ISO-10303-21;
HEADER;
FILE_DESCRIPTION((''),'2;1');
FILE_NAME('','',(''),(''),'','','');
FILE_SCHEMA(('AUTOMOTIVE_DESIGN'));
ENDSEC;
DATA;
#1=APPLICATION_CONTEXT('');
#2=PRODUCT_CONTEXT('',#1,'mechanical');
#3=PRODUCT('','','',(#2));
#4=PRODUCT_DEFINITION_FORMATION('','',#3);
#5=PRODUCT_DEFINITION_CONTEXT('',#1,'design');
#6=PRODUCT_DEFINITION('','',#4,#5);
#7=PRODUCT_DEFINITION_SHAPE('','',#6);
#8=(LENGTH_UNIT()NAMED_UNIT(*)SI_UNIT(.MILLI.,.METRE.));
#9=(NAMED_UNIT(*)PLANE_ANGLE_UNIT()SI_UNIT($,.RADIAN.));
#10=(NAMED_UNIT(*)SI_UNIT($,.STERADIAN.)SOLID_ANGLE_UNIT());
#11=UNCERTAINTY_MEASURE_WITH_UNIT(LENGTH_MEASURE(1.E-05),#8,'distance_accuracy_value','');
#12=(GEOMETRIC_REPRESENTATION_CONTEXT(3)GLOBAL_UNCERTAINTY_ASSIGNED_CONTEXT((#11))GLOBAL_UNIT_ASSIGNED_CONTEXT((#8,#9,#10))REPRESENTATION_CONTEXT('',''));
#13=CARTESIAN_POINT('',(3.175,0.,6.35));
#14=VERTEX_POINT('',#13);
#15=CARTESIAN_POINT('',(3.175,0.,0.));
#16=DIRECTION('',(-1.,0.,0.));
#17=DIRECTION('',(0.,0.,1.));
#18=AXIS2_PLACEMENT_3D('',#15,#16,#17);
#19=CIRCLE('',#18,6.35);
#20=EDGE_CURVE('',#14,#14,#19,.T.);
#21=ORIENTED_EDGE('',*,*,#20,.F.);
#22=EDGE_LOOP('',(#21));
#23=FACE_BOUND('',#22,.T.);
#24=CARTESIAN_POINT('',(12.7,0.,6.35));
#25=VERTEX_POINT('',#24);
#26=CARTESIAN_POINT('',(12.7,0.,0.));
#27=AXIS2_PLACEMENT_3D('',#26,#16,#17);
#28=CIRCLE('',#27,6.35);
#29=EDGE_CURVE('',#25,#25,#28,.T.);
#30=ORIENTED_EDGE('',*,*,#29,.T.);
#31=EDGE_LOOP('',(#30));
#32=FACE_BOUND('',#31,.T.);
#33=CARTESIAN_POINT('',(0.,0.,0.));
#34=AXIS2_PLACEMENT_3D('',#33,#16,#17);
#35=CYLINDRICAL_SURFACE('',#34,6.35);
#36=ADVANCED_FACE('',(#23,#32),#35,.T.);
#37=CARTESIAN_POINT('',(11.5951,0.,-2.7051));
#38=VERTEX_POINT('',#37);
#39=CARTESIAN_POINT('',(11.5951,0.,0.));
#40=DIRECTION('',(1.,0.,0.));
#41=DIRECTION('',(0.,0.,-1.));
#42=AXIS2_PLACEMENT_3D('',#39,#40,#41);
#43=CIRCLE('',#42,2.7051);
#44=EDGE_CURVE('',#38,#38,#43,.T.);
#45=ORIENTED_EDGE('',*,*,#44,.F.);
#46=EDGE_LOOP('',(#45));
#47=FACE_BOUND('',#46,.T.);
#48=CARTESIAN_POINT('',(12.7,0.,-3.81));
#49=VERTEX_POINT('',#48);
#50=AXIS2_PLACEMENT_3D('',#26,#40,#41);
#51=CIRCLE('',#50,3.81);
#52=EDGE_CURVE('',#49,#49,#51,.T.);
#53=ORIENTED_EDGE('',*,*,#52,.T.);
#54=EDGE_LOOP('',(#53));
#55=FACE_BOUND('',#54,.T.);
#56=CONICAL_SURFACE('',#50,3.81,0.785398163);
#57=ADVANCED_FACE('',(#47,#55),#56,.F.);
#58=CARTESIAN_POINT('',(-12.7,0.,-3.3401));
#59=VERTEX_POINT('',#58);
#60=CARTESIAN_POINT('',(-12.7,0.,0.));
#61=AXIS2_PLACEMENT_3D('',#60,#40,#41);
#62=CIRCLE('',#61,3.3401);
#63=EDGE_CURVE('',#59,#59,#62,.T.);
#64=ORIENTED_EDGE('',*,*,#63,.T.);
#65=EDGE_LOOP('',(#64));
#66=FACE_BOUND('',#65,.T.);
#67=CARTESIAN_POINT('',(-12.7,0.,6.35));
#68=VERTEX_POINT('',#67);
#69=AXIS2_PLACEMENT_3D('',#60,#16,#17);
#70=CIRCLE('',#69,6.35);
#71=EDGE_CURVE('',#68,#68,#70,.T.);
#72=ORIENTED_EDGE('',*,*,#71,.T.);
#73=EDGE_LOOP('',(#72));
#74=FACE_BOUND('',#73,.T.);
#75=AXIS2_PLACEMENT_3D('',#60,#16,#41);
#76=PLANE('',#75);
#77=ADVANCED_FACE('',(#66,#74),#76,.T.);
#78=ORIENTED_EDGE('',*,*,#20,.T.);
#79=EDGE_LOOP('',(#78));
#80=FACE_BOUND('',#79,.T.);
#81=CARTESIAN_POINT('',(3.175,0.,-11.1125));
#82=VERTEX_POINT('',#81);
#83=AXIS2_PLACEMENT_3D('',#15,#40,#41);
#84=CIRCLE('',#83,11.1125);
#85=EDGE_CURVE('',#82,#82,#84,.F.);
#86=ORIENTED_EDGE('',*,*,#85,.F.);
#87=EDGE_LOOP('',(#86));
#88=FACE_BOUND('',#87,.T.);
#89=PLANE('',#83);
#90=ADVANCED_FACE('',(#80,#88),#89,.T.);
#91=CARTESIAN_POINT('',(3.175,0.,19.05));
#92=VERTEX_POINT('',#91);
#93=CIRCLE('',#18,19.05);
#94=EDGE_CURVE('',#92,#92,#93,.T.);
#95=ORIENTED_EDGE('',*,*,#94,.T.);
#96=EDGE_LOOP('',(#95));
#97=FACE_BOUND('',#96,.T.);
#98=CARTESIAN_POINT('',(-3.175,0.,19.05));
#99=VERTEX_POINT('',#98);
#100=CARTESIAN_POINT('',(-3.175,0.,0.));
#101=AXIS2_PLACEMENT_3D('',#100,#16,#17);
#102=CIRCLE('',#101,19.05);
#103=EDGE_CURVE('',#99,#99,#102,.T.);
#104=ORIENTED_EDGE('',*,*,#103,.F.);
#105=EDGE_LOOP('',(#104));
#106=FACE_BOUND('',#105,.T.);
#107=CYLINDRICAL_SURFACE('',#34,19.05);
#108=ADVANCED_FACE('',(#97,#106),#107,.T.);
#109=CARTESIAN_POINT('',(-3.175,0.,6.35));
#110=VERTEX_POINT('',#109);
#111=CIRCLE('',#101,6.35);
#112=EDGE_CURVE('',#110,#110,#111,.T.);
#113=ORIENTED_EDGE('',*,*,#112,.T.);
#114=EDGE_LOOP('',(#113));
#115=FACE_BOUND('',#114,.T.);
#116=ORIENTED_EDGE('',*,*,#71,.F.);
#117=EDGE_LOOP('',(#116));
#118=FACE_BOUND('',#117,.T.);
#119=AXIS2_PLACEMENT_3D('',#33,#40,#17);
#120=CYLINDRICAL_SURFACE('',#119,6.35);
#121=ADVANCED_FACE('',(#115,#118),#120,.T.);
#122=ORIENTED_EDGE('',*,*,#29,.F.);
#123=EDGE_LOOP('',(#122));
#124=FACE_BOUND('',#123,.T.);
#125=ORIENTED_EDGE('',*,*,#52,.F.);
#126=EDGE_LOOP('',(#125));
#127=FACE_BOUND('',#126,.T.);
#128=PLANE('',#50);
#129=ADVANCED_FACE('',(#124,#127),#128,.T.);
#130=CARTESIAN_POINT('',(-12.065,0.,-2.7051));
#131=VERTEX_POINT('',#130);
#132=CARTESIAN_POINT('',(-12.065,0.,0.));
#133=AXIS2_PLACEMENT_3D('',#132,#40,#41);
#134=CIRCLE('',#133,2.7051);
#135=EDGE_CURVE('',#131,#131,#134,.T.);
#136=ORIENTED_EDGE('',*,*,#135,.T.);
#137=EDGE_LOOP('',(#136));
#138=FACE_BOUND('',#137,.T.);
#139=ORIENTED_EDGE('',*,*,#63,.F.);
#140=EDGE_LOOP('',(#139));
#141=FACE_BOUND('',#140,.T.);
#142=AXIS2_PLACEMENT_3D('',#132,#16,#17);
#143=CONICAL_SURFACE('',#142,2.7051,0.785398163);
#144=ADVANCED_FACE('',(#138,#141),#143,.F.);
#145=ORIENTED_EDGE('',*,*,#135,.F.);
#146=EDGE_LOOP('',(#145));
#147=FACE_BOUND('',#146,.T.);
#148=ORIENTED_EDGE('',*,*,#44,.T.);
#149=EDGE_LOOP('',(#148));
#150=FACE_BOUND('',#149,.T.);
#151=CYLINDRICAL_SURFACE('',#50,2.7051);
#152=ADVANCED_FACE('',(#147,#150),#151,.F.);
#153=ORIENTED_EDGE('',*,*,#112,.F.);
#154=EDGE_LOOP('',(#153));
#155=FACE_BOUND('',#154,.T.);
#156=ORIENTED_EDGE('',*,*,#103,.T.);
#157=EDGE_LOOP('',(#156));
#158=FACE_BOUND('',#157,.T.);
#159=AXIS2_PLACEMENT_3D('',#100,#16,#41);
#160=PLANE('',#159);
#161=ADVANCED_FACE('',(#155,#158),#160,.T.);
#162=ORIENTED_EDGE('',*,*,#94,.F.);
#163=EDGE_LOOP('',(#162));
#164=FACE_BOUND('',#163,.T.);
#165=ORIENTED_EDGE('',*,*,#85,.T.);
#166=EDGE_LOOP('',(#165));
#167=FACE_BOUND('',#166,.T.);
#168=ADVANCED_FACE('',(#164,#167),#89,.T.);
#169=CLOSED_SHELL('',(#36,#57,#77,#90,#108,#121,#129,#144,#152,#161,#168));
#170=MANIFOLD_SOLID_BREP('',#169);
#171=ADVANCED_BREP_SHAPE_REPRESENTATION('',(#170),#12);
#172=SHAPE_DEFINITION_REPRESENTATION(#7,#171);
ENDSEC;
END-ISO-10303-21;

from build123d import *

# Parameters (mm, degrees)
SKETCH1_W   = 9.525
SKETCH1_H   = 6.35
SKETCH1_W_2 = 3.175
SKETCH1_H_2 = 19.05


with BuildPart() as part:
    # Sketch1 → Revolve1 (revolve)
    with BuildSketch(Plane.XY, mode=Mode.PRIVATE) as revolve1_sk:
        with Locations((7.9375, 3.175)):
            Rectangle(SKETCH1_W, SKETCH1_H)
        with Locations((1.5875, 9.525)):
            Rectangle(SKETCH1_W_2, SKETCH1_H_2)
    revolve1 = revolve(revolve1_sk.sketch.rotate(Axis((0, 0, 0), (1, 0, 0)), 90), axis=Axis((0, 0, 0), (1, 0, 0)))

    # Mirror1: Revolve1 across Right Plane
    add(revolve1.mirror(Plane(origin=(0, 0, 0), x_dir=(0, 0, -1), z_dir=(1, 0, 0))))

    # Sketch3 → 1/4-28 Tapped Hole1 (revolve, cut)
    with BuildSketch(Plane(origin=(12.7, 0, 0), x_dir=(0, 0, -1), z_dir=(0, 1, 0))):
        Polygon((0, 0), (0, 25.4), (3.3401, 25.4), (2.7051, 24.765), (2.7051, 1.1049), (3.81, 0), align=None)
    revolve(axis=Axis((19.05, 0, 0), (-1, 0, 0)), mode=Mode.SUBTRACT)


solid = part.part
